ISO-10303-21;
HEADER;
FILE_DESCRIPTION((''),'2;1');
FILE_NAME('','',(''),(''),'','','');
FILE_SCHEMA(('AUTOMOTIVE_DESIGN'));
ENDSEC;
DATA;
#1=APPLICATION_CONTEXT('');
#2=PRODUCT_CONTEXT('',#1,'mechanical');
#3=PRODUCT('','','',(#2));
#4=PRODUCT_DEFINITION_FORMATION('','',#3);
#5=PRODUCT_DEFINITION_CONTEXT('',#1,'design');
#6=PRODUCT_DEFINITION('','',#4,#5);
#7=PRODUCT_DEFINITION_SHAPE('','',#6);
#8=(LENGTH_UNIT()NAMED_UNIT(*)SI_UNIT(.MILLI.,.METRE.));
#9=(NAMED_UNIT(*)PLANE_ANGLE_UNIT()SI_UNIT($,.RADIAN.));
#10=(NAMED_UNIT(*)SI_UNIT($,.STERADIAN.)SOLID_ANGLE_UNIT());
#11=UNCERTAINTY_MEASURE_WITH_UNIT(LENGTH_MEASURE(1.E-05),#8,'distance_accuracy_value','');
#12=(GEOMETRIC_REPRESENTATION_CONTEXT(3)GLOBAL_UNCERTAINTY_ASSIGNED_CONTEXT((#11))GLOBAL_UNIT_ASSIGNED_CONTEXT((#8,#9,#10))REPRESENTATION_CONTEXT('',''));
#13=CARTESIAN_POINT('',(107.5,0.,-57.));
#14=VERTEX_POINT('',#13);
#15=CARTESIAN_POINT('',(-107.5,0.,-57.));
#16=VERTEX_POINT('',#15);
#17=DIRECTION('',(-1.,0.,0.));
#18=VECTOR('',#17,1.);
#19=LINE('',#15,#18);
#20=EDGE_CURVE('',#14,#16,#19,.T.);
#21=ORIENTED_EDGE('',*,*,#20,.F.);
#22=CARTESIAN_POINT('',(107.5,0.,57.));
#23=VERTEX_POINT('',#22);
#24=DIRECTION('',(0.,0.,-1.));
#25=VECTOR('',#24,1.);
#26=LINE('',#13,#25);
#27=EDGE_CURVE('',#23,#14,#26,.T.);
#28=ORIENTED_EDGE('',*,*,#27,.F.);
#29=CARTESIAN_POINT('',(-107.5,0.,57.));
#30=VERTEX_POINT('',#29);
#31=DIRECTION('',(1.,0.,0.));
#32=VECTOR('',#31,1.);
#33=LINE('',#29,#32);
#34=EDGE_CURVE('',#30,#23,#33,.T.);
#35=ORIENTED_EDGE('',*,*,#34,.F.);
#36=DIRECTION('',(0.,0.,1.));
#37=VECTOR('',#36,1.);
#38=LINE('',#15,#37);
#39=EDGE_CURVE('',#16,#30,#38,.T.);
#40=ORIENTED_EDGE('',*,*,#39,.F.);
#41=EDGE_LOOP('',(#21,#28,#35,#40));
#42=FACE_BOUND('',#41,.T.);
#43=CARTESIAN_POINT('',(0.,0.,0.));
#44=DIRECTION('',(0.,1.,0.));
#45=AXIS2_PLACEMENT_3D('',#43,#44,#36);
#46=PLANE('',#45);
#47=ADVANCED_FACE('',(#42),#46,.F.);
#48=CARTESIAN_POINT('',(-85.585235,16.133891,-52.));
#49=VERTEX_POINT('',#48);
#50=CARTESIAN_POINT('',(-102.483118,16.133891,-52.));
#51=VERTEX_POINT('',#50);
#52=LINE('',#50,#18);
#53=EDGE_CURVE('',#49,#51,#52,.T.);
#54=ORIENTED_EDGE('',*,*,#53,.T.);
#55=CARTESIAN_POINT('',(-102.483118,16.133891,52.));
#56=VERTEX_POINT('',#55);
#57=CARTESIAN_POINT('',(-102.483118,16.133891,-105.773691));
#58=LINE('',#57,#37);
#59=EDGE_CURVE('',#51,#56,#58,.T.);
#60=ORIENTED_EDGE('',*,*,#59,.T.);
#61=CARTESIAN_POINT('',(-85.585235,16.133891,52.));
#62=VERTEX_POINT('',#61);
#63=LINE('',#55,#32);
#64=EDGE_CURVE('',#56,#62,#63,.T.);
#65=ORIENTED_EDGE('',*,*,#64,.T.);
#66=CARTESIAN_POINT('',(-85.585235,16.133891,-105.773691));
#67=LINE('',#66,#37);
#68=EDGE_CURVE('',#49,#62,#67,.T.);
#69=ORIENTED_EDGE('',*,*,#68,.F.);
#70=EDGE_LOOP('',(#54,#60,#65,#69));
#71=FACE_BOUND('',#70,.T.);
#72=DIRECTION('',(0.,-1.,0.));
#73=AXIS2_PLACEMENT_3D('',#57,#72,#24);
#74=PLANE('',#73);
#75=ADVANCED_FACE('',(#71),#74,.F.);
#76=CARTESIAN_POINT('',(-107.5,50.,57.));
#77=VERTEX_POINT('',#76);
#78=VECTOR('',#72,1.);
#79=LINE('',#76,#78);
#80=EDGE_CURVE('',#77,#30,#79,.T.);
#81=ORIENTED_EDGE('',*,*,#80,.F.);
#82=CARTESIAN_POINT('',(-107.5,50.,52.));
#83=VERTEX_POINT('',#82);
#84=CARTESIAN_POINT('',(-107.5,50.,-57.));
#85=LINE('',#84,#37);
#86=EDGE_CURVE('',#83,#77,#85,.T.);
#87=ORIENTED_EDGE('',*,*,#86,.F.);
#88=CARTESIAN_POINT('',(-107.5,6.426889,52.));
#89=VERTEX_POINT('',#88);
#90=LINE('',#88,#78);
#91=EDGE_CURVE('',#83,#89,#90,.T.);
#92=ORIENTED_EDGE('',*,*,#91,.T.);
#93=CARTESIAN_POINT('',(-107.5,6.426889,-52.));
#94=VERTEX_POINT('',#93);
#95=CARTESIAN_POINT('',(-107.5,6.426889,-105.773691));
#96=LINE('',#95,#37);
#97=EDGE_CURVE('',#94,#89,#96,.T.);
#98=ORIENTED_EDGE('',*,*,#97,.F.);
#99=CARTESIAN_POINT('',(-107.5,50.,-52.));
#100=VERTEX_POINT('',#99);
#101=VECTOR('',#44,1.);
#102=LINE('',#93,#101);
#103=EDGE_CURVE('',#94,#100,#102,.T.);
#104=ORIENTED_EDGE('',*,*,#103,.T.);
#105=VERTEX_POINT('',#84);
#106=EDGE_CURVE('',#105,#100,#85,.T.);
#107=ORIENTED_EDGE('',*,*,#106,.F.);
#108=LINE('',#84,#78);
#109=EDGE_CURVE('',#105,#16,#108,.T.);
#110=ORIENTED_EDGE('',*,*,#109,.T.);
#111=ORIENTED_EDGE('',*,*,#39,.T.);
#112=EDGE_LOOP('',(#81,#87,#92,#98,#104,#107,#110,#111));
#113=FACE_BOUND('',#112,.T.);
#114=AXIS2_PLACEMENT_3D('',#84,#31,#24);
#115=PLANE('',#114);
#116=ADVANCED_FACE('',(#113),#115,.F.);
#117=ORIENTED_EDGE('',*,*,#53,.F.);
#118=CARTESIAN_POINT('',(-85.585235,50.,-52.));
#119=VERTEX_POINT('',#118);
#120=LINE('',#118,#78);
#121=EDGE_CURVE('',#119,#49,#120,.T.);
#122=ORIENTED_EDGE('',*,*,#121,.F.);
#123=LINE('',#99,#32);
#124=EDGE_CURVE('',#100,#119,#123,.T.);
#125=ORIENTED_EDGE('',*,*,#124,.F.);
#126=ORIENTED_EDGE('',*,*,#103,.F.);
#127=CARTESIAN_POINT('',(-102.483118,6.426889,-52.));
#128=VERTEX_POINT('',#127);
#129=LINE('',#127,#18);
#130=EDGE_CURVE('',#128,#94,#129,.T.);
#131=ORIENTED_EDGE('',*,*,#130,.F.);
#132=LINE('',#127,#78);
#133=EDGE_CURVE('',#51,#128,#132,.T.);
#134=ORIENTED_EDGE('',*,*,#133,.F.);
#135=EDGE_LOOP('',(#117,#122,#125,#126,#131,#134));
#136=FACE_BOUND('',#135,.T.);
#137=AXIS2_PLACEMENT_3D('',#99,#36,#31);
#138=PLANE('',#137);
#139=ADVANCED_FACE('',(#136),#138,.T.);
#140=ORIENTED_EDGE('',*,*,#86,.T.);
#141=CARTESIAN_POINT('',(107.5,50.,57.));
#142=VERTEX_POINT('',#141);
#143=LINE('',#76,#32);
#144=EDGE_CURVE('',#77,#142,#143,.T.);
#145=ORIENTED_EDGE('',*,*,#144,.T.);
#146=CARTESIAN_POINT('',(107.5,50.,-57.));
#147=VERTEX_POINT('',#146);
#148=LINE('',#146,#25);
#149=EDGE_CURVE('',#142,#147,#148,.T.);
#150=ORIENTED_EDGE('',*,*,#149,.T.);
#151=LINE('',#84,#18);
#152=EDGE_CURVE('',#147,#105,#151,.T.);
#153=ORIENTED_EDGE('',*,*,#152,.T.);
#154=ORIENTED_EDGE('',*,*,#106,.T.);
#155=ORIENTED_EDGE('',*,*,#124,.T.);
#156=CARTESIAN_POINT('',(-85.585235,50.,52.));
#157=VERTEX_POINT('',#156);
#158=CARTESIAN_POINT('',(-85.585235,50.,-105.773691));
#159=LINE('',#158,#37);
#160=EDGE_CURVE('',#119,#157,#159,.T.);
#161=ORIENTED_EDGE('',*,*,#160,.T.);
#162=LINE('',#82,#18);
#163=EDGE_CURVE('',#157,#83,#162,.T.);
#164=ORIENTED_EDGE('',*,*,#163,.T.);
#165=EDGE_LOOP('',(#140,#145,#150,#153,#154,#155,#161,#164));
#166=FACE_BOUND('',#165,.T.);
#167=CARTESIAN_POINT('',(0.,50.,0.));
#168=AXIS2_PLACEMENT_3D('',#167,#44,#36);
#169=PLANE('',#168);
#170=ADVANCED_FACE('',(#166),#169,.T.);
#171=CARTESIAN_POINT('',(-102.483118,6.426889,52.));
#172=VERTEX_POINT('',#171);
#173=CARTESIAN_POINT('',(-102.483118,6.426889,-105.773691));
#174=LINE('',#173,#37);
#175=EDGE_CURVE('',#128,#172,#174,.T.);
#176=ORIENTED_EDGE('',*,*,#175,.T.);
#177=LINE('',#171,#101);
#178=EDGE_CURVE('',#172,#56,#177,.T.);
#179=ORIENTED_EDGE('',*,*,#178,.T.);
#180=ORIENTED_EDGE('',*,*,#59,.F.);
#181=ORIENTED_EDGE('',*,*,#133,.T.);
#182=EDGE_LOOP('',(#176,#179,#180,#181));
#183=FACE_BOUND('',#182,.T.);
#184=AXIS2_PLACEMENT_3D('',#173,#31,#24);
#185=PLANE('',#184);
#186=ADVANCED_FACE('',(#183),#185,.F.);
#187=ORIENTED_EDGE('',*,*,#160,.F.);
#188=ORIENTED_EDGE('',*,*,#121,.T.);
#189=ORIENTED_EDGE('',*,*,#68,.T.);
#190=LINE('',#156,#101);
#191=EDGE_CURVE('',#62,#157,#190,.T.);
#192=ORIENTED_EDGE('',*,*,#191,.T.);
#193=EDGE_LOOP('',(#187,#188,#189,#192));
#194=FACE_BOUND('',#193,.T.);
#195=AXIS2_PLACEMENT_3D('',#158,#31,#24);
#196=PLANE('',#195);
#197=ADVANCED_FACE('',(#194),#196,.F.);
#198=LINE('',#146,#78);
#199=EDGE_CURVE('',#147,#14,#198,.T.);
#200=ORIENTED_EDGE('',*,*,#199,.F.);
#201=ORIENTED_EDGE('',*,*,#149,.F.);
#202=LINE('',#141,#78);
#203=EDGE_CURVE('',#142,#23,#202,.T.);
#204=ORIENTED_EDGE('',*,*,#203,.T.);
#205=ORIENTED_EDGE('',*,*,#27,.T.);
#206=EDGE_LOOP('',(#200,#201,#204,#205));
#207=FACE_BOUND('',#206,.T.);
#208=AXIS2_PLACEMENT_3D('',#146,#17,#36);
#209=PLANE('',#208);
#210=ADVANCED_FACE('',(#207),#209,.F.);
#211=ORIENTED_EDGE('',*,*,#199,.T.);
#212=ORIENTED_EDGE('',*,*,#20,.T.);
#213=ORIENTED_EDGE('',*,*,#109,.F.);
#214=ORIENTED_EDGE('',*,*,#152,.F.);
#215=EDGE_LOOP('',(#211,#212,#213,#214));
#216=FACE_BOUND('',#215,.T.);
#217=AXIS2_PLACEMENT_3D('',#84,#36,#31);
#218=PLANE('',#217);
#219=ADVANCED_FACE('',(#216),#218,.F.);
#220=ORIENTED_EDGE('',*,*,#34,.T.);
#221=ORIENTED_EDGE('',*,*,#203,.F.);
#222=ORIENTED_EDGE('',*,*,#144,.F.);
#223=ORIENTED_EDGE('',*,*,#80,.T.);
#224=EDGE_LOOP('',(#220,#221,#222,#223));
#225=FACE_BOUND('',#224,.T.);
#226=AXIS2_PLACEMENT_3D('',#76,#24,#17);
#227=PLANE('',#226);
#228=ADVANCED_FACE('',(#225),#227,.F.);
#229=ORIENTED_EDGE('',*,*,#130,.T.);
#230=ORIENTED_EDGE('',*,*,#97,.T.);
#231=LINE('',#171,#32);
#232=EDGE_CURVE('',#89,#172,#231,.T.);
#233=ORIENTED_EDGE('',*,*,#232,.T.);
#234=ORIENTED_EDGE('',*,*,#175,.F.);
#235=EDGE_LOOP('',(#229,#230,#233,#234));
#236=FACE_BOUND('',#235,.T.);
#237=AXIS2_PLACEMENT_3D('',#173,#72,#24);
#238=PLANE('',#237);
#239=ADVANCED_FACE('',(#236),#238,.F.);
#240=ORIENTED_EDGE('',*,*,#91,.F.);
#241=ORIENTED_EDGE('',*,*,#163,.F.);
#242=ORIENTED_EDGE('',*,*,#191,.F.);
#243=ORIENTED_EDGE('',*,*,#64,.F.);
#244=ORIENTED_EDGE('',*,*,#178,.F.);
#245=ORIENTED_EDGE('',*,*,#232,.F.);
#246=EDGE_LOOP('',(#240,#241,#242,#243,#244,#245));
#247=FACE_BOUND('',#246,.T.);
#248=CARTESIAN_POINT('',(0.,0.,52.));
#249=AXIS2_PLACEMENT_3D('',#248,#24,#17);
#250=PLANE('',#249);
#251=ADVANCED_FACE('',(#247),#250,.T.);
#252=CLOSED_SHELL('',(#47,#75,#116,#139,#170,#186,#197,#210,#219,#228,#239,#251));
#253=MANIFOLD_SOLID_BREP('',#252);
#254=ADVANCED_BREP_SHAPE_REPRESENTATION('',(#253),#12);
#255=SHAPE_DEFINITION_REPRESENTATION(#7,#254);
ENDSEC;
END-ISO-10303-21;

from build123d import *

# Parameters (mm, degrees)
ESBO_O1_W                = 215
ESBO_O1_H                = 114
RESSALTO_EXTRUS_O1_DEPTH = 50
CORTE_EXTRUS_O1_START    = -109
CORTE_EXTRUS_O1_DEPTH    = 104


with BuildPart() as part:
    # Esboço1 → Ressalto-extrusão1 (new body)
    with BuildSketch(Plane(origin=(0, 0, 0), x_dir=(1, 0, 0), z_dir=(0, 1, 0))):
        Rectangle(ESBO_O1_W, ESBO_O1_H)
    extrude(amount=RESSALTO_EXTRUS_O1_DEPTH)

    # Esboço3 → Corte-extrusão1 (cut)
    with BuildSketch(Plane.XY.offset(57).offset(CORTE_EXTRUS_O1_START)):
        Polygon((-107.5, 50), (-85.58523496, 50), (-85.58523496, 16.13389081), (-102.483117777, 16.13389081), (-102.483117777, 6.426889092), (-107.5, 6.426889092), (-107.5, 17.457061978), align=None)
    extrude(amount=CORTE_EXTRUS_O1_DEPTH, mode=Mode.SUBTRACT)


solid = part.part
